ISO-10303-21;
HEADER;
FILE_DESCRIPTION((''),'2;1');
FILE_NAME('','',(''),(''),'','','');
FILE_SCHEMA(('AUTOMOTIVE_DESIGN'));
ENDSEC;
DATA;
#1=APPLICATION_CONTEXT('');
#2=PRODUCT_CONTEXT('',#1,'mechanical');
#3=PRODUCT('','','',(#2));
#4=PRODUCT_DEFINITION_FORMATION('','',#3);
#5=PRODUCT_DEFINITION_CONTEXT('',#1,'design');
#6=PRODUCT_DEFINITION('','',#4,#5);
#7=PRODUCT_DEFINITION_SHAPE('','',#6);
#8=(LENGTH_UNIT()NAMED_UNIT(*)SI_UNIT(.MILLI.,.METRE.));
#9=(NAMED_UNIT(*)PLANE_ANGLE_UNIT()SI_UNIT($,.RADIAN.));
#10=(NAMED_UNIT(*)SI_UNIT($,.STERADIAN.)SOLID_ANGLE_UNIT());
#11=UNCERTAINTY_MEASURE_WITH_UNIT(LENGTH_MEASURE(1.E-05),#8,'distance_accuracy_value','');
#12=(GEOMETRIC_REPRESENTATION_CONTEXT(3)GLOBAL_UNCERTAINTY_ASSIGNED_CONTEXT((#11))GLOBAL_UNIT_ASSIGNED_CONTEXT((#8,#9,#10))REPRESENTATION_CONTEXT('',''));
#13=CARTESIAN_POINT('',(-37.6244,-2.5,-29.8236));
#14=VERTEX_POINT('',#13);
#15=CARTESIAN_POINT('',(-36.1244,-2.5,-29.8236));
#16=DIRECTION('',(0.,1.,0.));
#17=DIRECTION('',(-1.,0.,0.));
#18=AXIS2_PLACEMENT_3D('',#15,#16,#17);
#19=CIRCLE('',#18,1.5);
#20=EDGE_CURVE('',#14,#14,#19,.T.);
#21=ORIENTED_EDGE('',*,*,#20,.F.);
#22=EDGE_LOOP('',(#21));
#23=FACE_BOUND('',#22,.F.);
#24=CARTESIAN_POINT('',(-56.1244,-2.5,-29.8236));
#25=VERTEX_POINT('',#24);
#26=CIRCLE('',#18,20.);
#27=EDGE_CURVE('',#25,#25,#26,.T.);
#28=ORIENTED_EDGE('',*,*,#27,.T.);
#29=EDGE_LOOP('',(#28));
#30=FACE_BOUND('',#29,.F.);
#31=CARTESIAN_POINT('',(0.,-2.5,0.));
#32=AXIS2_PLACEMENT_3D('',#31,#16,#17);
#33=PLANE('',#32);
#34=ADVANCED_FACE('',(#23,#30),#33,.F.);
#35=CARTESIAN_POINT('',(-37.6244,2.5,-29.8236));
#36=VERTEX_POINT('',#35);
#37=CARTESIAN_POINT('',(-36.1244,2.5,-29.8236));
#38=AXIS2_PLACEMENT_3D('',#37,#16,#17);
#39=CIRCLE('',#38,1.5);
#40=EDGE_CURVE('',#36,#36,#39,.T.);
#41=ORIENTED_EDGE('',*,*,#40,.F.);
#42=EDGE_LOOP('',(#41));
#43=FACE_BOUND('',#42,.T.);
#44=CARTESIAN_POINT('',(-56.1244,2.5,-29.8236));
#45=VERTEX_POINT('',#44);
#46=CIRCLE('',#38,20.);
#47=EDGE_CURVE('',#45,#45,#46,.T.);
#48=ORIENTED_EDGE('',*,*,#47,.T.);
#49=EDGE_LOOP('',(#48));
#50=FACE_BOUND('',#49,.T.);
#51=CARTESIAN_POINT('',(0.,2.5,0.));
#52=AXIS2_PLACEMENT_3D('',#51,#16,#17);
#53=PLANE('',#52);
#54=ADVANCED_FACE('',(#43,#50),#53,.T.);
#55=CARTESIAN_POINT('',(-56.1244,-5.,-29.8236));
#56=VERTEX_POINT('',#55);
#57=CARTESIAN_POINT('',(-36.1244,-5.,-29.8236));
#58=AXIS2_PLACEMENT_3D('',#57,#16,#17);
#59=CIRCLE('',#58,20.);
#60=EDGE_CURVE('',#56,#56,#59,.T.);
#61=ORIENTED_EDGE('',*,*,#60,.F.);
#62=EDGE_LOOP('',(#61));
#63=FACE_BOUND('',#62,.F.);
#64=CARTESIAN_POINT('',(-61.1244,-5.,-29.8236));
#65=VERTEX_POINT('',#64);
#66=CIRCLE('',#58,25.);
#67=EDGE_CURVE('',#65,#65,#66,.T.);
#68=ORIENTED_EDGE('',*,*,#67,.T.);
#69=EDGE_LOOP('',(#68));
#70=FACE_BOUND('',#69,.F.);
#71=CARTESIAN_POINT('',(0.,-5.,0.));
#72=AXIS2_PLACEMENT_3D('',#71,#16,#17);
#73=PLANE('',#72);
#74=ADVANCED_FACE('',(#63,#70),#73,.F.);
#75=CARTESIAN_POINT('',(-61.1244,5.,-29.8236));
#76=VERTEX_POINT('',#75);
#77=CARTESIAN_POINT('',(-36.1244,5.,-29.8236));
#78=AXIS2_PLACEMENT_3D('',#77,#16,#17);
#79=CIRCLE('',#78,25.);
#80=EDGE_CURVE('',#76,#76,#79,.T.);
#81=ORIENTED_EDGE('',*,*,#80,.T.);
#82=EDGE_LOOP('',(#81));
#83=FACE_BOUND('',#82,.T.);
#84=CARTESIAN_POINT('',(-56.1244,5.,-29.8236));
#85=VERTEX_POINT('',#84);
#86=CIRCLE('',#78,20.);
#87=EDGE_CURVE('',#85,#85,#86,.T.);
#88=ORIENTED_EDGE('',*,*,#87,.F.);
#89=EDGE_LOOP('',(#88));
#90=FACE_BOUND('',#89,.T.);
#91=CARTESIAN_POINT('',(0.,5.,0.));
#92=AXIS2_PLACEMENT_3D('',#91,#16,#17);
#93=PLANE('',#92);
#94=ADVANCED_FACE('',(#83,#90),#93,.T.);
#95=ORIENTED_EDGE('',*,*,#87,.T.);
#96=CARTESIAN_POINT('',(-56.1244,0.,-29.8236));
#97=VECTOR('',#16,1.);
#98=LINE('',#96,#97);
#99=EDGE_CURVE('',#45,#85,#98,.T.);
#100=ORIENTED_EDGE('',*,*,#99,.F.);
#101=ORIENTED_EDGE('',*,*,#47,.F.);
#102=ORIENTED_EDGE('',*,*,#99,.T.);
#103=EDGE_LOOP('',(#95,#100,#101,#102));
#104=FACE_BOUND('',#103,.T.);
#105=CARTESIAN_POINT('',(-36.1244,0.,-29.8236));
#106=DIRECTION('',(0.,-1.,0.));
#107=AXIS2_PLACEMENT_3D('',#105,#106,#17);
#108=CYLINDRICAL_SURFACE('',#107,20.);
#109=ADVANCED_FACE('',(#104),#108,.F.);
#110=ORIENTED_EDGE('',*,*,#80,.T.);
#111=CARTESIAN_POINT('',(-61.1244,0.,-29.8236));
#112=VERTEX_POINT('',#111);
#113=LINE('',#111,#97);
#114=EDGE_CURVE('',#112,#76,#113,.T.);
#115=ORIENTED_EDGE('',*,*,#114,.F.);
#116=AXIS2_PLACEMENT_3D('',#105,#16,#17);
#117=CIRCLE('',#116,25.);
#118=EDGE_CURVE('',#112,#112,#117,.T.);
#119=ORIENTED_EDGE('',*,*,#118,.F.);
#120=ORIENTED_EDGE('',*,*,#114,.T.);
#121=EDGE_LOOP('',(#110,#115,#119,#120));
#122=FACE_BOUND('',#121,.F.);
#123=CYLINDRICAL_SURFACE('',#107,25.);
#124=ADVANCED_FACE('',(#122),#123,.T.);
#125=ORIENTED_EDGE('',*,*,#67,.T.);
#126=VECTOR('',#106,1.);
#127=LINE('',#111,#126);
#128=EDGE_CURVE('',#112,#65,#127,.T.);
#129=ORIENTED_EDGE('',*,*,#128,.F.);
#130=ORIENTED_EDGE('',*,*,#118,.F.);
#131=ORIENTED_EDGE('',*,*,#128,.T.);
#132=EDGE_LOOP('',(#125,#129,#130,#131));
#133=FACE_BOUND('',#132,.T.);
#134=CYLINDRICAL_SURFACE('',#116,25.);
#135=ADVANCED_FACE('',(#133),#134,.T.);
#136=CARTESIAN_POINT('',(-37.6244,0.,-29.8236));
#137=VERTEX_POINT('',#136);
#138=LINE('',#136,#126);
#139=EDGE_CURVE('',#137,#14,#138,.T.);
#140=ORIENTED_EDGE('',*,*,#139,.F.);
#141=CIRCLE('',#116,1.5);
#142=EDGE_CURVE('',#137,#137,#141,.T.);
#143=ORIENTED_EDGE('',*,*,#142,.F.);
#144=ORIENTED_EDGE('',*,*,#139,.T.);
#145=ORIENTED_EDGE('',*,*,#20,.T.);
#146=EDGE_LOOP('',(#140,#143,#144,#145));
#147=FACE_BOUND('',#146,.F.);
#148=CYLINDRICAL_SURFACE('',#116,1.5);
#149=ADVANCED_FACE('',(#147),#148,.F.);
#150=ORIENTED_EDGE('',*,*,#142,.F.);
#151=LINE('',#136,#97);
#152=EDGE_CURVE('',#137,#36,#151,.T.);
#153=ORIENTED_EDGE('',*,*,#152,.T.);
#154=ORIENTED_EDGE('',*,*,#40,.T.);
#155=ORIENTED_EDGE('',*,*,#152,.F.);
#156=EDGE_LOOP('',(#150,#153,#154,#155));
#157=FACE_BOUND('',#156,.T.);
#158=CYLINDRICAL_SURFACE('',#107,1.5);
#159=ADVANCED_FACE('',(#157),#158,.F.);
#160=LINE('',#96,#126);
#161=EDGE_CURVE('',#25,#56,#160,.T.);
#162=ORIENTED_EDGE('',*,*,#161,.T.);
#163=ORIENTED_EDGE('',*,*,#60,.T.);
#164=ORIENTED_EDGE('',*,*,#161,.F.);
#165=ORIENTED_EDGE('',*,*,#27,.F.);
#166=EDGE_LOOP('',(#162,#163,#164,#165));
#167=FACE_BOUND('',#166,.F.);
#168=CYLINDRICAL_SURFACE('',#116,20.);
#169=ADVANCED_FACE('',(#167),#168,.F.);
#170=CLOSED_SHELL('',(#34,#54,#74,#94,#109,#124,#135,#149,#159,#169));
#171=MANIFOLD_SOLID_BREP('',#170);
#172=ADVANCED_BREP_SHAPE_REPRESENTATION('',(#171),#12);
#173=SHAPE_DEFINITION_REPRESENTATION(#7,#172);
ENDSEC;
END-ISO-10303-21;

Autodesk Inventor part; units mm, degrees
ref_plane "YZ Plane" through (0, 0, 0) normal (1, 0, 0) x (0, 1, 0)
ref_plane "XZ Plane" through (0, 0, 0) normal (0, 1, 0) x (-1, 0, 0)
ref_plane "XY Plane" through (0, 0, 0) normal (0, 0, 1) x (1, 0, 0)
sketch "Skizze1" plane through (0, 0, 0) normal (0, 1, 0) x (-1, 0, 0)
  circle A0 centre (36.1244, -29.8236) radius 25
  circle A1 centre (36.1244, -29.8236) radius 1.5
  circle A2 centre (36.1244, -29.8236) radius 20
  point P0 (0, 0)
  dimension "d0" = 50
  dimension "d1" = 40
  dimension "d2" = 3
extrude "Extrusion1" add sketch "Skizze1" along normal blind 5 and the other way blind 5 contours A0
extrude "Extrusion2" add sketch "Skizze1" along normal blind 2.5 and the other way blind 2.5 contours A2
properties part number "Rad"
